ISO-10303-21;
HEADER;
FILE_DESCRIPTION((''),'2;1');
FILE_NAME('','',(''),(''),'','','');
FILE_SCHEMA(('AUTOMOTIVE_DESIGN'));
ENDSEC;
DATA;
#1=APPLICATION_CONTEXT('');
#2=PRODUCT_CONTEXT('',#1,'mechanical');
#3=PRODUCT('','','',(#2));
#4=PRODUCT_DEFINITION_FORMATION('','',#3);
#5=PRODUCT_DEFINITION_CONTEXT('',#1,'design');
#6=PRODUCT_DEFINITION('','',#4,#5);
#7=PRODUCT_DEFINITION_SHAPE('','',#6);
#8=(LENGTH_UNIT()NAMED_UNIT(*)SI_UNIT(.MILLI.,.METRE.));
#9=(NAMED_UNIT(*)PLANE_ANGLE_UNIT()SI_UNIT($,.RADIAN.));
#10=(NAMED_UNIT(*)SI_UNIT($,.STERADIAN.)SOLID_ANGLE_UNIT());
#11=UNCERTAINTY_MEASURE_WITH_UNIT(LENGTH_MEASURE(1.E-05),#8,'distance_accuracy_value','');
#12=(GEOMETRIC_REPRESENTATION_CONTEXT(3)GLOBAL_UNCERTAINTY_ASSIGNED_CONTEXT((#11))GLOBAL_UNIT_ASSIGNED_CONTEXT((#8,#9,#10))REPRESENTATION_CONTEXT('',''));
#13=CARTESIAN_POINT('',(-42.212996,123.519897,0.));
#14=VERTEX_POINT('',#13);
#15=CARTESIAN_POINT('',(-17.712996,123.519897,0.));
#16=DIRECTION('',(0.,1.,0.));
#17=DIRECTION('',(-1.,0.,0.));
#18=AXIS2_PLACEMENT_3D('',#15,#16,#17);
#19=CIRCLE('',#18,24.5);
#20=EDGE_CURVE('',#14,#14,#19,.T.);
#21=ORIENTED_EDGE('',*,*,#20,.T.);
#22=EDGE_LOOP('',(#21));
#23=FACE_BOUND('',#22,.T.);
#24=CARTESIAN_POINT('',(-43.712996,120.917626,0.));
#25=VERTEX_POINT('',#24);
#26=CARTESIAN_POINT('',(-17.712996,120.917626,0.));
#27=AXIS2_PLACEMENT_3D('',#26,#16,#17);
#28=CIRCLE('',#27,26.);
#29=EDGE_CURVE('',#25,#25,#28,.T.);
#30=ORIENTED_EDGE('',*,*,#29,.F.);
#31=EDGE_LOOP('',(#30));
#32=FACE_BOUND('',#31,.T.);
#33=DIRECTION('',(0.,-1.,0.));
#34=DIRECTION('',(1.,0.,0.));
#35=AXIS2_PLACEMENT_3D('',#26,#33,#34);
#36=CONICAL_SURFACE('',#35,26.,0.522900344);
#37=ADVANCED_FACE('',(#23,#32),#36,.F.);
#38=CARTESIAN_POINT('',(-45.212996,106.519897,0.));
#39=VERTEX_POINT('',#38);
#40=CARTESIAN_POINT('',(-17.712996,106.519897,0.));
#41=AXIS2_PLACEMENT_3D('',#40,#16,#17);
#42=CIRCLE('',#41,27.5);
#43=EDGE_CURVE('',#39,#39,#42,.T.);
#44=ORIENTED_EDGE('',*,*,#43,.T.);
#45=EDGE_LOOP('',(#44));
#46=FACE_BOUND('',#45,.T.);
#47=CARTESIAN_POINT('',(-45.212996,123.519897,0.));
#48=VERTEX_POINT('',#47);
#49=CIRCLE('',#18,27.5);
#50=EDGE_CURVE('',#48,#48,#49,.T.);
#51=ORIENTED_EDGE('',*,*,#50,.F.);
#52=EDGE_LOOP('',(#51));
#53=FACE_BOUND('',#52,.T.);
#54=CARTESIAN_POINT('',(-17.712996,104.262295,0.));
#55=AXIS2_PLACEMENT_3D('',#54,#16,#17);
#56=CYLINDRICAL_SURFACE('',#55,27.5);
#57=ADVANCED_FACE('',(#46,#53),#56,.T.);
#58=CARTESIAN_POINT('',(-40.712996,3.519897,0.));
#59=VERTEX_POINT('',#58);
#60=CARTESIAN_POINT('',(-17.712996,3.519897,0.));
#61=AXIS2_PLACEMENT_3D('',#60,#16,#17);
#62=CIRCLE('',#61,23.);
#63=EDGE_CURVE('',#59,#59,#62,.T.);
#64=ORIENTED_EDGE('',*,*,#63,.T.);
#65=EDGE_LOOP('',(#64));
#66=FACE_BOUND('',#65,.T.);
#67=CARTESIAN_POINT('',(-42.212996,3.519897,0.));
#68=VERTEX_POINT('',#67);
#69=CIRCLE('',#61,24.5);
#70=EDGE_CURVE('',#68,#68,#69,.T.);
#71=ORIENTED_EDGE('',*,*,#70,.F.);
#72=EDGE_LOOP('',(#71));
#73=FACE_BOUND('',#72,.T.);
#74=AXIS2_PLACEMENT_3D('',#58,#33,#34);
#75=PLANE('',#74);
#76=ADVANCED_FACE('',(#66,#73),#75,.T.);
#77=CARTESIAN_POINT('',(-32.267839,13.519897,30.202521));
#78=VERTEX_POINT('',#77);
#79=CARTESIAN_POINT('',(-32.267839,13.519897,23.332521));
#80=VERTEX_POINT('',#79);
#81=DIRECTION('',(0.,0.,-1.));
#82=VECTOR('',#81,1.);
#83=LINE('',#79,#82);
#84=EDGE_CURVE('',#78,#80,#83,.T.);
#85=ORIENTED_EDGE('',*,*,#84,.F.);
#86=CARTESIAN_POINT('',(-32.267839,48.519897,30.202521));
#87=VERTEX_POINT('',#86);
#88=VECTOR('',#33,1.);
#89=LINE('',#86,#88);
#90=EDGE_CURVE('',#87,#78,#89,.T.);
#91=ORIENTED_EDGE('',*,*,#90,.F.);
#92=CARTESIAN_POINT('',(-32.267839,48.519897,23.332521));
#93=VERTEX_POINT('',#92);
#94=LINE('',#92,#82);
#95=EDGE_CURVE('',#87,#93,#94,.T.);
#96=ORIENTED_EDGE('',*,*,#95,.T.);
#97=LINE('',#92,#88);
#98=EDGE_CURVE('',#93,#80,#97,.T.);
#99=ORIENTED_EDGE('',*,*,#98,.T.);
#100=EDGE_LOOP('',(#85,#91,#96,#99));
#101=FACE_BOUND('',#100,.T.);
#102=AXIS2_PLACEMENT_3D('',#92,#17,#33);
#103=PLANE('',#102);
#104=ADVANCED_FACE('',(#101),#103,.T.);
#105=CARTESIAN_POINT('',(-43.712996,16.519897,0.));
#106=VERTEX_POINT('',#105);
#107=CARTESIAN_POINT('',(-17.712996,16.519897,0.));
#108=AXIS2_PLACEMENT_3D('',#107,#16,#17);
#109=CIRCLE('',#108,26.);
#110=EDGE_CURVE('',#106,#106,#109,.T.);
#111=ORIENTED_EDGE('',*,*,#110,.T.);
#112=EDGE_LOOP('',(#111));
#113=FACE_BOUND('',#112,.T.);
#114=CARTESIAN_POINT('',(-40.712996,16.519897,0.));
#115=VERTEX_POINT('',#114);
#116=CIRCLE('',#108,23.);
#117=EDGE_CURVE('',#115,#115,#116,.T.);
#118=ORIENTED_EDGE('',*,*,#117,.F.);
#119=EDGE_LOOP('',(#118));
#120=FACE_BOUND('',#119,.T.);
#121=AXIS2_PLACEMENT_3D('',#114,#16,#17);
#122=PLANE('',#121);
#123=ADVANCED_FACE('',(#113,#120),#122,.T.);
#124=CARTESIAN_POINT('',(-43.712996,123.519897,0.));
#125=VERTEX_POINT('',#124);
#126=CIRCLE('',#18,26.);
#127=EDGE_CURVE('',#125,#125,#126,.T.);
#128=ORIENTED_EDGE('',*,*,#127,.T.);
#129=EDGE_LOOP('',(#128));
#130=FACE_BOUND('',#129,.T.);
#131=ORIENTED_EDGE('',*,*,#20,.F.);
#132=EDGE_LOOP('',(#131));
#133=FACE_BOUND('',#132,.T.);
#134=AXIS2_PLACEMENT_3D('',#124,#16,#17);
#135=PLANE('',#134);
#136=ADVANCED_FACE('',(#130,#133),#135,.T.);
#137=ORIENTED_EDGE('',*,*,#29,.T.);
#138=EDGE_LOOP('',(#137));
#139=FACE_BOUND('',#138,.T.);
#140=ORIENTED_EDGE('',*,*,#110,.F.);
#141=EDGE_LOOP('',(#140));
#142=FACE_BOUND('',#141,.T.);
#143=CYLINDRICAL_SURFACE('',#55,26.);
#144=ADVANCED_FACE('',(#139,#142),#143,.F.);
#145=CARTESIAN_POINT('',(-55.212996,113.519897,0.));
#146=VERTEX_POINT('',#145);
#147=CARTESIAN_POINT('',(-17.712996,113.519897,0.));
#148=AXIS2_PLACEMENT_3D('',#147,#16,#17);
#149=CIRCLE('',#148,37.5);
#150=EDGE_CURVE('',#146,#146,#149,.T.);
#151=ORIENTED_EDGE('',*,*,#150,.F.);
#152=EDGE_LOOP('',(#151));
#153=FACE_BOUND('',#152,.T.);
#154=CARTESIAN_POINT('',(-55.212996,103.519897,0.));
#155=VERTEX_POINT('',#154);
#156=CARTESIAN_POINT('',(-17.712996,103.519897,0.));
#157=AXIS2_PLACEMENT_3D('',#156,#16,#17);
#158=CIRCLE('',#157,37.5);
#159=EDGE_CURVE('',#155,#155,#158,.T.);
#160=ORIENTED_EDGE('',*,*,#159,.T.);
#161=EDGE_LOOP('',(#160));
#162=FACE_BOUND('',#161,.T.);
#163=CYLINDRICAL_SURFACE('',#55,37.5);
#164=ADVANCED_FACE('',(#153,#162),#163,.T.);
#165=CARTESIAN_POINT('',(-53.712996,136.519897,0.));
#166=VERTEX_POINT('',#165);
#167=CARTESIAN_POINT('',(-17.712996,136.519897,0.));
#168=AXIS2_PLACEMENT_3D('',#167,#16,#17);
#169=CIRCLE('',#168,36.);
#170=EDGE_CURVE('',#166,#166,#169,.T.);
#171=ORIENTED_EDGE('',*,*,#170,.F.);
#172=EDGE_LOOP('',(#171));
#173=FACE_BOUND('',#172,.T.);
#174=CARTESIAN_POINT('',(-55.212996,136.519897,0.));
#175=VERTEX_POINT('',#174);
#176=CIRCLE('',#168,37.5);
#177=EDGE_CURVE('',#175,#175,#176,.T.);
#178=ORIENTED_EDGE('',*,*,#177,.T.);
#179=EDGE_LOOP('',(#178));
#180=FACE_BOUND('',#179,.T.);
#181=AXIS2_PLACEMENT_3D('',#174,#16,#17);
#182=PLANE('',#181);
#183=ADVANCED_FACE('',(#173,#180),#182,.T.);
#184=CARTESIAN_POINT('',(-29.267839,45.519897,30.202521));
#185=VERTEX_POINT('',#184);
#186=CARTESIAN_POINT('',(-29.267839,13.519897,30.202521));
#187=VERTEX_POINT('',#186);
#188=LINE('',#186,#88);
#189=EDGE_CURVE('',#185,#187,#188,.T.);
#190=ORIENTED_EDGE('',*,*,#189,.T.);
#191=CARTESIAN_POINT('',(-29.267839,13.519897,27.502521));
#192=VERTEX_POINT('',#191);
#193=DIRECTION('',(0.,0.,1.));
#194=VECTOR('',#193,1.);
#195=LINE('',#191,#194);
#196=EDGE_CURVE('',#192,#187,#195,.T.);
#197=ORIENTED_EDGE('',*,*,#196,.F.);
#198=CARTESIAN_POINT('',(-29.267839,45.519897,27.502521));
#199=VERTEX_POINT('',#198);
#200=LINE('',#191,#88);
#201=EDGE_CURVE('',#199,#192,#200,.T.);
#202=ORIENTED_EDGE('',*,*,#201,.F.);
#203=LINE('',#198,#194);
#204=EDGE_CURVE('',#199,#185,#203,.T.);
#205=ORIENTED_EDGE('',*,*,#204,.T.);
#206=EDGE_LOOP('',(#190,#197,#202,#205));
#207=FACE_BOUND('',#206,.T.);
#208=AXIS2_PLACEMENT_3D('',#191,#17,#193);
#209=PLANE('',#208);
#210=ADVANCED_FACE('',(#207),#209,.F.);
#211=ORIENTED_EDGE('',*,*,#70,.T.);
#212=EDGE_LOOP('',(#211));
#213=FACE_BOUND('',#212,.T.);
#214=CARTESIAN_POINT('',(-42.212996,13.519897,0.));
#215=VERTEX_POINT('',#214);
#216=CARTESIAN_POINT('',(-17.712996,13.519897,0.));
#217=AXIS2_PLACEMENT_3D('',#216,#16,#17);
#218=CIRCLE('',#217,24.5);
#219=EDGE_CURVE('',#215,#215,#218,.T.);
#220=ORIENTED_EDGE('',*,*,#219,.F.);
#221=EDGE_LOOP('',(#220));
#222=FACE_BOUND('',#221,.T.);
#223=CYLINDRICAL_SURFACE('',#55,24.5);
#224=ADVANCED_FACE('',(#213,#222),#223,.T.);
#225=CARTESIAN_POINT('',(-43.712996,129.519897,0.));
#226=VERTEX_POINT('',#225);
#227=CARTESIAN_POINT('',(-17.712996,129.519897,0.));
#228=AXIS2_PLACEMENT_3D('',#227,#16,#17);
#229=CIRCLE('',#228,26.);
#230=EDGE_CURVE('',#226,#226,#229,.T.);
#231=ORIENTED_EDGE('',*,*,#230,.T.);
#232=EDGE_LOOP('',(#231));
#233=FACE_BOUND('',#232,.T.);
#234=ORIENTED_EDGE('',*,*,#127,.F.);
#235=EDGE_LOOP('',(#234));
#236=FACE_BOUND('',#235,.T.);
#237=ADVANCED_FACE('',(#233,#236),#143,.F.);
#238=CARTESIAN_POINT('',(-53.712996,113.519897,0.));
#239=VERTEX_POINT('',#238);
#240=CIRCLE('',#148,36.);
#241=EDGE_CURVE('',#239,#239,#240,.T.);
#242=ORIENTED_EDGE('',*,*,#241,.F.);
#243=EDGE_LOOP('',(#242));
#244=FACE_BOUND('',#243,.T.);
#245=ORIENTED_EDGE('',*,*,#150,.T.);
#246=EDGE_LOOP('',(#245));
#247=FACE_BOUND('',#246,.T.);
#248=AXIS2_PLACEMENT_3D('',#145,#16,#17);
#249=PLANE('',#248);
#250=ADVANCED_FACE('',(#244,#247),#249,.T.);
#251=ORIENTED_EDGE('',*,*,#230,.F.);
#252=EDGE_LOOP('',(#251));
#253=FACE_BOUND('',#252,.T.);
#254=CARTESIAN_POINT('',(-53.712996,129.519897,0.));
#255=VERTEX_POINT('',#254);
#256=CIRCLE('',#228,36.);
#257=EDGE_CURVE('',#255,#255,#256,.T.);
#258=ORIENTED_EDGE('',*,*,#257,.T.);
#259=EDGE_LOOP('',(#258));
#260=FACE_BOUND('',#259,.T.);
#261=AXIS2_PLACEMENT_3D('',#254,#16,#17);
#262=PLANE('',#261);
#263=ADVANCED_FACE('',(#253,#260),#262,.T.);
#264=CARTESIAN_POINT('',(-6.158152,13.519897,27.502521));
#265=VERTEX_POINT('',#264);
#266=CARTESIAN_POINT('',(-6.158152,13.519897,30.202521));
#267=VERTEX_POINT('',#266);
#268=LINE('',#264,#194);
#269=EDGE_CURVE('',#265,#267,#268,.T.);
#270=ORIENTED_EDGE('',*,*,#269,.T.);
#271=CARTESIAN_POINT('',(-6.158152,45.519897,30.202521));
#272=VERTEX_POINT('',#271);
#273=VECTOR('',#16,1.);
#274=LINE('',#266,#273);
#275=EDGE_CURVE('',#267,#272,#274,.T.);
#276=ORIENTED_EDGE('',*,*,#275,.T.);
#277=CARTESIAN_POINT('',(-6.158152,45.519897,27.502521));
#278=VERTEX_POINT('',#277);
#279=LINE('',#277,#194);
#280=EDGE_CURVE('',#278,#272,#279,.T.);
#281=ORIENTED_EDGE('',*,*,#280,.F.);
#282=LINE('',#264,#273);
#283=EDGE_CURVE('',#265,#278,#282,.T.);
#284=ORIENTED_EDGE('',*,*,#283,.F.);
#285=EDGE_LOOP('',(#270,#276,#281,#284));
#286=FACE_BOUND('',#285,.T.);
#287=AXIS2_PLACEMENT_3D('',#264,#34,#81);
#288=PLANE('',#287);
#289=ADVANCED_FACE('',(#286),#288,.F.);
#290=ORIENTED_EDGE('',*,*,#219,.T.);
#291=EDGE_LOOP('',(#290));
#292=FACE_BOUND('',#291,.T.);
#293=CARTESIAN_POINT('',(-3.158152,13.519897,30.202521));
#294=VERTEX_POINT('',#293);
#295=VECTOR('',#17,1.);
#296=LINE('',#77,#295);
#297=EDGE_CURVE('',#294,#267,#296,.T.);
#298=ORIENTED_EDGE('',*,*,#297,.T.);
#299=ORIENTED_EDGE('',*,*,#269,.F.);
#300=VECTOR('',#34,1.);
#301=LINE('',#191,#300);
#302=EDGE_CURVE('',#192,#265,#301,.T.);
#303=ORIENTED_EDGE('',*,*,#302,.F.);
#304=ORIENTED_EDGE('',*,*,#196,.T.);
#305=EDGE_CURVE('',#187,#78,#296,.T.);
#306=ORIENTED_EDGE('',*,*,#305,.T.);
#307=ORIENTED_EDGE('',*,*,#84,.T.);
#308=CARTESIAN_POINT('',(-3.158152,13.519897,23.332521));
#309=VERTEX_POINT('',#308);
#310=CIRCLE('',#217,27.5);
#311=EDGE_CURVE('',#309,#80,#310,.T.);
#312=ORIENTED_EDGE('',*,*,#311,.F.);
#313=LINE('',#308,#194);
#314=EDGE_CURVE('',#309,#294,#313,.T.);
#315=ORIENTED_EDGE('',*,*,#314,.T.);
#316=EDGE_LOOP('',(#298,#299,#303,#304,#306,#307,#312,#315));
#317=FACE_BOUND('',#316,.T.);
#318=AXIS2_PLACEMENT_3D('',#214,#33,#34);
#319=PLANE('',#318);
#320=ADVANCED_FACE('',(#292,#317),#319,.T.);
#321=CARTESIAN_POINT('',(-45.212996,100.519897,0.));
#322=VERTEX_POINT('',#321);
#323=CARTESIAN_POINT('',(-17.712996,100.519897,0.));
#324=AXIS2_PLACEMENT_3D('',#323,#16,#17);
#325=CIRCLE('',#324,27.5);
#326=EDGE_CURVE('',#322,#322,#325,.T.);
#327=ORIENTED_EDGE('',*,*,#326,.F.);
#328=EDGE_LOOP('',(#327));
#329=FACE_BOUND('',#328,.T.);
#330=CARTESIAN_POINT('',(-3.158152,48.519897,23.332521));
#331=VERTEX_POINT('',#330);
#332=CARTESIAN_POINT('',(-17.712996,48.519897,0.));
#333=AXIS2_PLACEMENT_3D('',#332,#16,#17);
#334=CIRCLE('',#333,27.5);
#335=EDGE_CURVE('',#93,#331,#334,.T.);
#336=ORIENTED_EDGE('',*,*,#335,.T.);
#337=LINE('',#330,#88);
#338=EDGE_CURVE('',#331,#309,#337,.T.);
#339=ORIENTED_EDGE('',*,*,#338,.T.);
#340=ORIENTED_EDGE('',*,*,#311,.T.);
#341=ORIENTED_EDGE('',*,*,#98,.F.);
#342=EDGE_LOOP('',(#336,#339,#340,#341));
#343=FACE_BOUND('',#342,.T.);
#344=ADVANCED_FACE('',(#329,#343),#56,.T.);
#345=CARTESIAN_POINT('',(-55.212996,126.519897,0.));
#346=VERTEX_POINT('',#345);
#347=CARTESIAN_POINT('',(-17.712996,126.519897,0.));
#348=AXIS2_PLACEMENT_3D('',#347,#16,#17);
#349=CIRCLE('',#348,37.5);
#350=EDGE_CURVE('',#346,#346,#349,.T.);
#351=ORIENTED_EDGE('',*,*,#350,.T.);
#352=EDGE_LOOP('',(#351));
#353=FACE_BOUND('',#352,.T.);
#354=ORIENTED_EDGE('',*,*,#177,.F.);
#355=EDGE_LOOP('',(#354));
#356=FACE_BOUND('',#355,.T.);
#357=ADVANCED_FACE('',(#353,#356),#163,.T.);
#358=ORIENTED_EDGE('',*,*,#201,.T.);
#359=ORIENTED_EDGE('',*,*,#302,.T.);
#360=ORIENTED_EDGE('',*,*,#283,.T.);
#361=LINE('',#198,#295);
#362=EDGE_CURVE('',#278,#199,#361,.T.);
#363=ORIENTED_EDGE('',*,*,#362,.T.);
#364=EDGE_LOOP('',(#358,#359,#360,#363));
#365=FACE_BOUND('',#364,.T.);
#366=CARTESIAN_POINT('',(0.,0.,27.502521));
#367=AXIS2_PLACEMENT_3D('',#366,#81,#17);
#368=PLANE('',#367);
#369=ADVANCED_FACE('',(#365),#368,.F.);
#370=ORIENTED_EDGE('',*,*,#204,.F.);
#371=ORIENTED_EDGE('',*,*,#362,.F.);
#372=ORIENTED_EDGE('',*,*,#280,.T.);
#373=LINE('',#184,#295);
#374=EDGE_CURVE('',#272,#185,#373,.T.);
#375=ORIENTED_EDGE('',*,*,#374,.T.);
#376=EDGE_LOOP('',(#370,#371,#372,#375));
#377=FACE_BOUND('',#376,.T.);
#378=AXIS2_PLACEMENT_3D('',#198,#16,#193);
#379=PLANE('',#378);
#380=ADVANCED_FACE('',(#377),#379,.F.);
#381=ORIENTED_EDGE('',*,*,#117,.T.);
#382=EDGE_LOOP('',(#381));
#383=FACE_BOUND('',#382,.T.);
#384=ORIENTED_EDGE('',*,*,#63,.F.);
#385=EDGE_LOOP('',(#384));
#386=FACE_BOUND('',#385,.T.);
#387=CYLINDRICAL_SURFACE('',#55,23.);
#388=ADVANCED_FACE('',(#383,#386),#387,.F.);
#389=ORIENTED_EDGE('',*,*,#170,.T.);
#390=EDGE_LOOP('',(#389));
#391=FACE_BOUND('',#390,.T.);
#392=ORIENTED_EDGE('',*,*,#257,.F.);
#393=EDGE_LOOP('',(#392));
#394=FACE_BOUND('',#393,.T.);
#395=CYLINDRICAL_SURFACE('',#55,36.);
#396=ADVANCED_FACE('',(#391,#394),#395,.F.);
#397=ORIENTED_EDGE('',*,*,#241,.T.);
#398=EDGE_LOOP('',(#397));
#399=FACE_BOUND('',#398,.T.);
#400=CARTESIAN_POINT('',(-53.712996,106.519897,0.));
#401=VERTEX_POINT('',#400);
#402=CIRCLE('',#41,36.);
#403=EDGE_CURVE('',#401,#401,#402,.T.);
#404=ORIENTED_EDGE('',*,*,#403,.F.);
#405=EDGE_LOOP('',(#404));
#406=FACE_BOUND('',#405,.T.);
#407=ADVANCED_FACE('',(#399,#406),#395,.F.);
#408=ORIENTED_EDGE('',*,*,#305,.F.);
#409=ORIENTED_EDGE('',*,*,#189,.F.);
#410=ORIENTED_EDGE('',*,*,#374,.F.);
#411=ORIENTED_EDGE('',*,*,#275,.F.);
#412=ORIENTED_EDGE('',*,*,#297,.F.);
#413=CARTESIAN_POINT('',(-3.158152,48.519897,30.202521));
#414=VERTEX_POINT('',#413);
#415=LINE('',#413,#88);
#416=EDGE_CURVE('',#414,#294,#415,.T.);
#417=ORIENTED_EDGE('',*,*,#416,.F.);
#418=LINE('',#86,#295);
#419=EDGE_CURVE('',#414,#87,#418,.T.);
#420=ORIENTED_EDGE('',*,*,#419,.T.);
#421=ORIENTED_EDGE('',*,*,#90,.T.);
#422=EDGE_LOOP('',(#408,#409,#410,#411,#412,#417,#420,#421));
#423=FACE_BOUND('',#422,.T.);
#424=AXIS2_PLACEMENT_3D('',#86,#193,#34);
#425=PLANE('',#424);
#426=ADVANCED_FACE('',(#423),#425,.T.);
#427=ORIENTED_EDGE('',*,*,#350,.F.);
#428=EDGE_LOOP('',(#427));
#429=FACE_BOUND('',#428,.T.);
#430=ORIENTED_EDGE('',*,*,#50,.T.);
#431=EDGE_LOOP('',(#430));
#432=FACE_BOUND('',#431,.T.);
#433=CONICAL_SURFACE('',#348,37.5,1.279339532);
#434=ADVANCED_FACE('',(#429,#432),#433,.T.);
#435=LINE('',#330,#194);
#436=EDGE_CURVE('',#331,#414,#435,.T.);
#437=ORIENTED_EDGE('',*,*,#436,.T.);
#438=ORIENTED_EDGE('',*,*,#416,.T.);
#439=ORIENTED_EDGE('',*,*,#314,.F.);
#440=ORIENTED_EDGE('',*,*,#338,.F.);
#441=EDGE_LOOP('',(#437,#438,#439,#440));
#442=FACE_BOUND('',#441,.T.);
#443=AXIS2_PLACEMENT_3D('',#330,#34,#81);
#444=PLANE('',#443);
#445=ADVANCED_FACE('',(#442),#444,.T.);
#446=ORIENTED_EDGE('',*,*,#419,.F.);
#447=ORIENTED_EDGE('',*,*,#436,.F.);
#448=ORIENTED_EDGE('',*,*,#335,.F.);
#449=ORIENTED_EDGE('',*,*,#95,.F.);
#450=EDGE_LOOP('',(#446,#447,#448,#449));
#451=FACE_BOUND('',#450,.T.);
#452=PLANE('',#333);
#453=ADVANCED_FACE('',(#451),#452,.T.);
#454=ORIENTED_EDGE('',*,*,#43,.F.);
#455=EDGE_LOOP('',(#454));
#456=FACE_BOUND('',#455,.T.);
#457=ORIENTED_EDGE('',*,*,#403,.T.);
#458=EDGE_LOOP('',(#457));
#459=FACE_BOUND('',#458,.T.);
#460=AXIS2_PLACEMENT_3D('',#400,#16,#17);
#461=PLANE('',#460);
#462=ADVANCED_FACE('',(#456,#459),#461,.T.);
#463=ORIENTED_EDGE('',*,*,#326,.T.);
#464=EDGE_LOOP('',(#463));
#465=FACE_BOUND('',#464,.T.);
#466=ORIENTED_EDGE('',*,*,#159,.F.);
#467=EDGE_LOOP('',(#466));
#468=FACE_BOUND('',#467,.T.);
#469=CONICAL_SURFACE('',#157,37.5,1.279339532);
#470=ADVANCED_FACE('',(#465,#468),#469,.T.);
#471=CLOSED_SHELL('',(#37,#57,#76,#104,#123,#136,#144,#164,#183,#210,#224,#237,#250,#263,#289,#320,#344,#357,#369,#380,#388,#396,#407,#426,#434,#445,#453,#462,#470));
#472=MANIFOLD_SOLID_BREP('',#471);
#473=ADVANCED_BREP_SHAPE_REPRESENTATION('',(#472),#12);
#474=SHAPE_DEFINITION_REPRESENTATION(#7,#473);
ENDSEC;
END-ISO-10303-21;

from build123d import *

# Parameters (mm, degrees)
SALIENTE_EXTRUIR1_DEPTH = 35
CROQUIS3_W              = 23.109686168
CROQUIS3_H              = 32
CORTAR_EXTRUIR1_DEPTH   = 2.7


with BuildPart() as part:
    # Croquis1 → Revolución1 (revolve)
    with BuildSketch(Plane.XY):
        Polygon((-40.712995514, 3.519897437), (-40.712995514, 16.519897437), (-43.712995514, 16.519897437), (-43.712995514, 120.917625562), (-42.212995514, 123.519897437), (-43.712995514, 123.519897437), (-43.712995514, 129.519897437), (-53.712995514, 129.519897437), (-53.712995514, 136.519897437), (-55.212995514, 136.519897437), (-55.212995514, 126.519897437), (-45.212995514, 123.519897437), (-45.212995514, 106.519897437), (-53.712995514, 106.519897437), (-53.712995514, 113.519897437), (-55.212995514, 113.519897437), (-55.212995514, 103.519897437), (-45.212995514, 100.519897437), (-45.212995514, 13.519897437), (-42.212995514, 13.519897437), (-42.212995514, 3.519897437), align=None)
    revolve(axis=Axis((-17.712995514, 104.262295082, 0), (0, -1, 0)))

    # Croquis2 → Saliente-Extruir1 (add)
    with BuildSketch(Plane.XZ.offset(-13.519897437)):
        with BuildLine():
            Line((-32.267838598, 23.332521141), (-32.267838598, 30.202521141))
            Line((-32.267838598, 30.202521141), (-3.15815243, 30.202521141))
            Line((-3.15815243, 30.202521141), (-3.15815243, 23.332521141))
            ThreePointArc((-3.15815243, 23.332521141), (-17.712995514, 27.5), (-32.267838598, 23.332521141))
        make_face()
    extrude(amount=-SALIENTE_EXTRUIR1_DEPTH)

    # Croquis3 → Cortar-Extruir1 (cut)
    with BuildSketch(Plane.XY.offset(30.202521141)):
        with Locations((-17.712995514, 29.519897437)):
            Rectangle(CROQUIS3_W, CROQUIS3_H)
    extrude(amount=-CORTAR_EXTRUIR1_DEPTH, mode=Mode.SUBTRACT)


solid = part.part
